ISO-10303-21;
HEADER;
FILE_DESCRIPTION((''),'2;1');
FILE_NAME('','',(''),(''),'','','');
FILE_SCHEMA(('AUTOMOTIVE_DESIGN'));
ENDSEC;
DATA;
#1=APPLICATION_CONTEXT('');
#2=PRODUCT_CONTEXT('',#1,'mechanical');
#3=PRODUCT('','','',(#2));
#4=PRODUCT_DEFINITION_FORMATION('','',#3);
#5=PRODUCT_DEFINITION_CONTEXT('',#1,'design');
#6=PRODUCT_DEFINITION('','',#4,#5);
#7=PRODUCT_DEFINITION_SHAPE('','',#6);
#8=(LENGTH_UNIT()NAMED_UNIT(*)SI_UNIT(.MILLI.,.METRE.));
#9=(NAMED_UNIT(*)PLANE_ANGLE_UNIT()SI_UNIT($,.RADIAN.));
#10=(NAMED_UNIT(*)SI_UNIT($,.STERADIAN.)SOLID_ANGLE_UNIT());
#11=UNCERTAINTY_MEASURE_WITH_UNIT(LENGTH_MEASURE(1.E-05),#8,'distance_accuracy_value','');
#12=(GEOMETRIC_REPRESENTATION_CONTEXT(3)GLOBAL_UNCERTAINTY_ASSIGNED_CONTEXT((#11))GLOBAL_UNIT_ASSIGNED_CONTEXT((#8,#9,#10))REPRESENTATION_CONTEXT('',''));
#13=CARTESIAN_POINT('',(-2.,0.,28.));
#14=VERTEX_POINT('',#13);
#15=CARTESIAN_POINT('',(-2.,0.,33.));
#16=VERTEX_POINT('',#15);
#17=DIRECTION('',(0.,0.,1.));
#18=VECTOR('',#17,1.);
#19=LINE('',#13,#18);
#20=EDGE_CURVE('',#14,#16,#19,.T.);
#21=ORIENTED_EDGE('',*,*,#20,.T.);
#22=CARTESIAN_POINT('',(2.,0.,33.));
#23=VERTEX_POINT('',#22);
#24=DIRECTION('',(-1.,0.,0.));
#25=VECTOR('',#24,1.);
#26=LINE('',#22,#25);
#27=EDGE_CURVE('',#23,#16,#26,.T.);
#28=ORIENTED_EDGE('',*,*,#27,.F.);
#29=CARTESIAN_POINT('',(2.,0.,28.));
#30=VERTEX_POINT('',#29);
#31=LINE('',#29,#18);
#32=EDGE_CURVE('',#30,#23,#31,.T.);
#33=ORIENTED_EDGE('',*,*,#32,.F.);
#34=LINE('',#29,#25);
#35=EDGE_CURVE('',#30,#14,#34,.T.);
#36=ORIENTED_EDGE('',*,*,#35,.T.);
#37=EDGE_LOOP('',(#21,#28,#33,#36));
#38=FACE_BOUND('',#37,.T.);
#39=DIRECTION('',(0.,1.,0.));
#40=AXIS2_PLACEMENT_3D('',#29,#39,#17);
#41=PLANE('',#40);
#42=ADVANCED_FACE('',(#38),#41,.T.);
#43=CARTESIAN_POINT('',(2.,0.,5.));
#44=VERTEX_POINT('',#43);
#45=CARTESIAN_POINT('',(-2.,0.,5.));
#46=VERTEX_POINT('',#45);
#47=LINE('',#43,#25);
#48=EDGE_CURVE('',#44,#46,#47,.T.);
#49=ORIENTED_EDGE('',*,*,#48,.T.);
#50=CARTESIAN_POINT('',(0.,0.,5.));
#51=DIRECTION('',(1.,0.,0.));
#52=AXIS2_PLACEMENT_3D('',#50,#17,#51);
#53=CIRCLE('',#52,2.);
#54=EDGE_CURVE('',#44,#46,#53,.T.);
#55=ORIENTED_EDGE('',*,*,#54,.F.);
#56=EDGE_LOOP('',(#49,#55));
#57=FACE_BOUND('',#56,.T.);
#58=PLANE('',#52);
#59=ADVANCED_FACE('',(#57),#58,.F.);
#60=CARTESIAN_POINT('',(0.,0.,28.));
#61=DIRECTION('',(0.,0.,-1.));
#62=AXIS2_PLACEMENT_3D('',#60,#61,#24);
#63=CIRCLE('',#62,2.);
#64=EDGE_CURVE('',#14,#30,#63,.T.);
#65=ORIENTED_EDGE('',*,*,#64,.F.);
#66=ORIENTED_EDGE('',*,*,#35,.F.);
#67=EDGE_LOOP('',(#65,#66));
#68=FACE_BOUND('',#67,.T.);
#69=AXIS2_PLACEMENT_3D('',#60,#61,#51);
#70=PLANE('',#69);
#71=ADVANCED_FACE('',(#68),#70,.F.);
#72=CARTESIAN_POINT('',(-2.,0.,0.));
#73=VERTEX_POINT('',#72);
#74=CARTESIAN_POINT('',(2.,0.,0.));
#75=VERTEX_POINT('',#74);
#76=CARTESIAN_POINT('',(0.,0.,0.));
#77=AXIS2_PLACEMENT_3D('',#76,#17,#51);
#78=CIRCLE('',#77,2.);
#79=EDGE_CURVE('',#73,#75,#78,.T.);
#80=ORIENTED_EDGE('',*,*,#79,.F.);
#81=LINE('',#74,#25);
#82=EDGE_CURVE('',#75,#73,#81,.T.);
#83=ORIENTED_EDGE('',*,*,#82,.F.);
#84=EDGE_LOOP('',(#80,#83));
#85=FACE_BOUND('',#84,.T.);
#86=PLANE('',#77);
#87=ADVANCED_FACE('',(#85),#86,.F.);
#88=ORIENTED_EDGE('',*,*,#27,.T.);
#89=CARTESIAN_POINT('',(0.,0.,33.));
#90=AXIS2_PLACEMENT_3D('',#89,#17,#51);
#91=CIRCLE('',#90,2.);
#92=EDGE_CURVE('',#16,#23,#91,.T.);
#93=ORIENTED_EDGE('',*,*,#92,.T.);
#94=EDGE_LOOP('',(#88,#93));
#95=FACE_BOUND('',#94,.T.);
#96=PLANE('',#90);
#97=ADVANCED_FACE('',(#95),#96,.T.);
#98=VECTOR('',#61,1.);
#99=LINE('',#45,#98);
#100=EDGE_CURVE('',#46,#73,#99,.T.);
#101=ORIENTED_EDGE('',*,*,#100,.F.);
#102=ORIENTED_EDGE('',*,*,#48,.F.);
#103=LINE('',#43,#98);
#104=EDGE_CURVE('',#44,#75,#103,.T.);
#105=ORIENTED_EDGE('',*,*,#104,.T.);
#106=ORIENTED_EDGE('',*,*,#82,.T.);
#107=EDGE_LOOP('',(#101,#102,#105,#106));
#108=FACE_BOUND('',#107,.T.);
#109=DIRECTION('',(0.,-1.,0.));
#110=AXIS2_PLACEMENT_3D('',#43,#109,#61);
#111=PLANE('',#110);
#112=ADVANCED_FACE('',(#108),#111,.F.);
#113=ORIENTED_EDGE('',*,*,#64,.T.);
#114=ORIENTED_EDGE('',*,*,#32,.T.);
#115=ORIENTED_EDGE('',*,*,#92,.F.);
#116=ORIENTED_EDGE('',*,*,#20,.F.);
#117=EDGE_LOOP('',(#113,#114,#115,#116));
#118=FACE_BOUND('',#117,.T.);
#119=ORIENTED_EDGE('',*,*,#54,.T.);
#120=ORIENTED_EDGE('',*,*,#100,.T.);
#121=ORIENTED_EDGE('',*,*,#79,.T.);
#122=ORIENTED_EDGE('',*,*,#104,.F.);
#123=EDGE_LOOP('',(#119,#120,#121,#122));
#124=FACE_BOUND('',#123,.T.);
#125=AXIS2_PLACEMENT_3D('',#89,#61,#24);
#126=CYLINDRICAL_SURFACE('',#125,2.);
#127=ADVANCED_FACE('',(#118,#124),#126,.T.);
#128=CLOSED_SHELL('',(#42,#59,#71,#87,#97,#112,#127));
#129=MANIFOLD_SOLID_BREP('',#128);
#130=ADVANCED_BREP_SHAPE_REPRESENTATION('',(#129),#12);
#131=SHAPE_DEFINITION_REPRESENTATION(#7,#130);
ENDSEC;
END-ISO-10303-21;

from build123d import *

# Parameters (mm, degrees)
ESQUISSE1_R             = 2
BOSS_EXTRU_1_DEPTH      = 33
ESQUISSE2_W             = 4
ESQUISSE2_H             = 3
ENL_V_MAT_EXTRU_1_DEPTH = 5


with BuildPart() as part:
    # Esquisse1 → Boss.-Extru.1 (new body)
    with BuildSketch(Plane.XY):
        Circle(ESQUISSE1_R)
    extrude(amount=BOSS_EXTRU_1_DEPTH)

    # Esquisse2 → Enlèv. mat.-Extru.1 (cut)
    with BuildSketch(Plane(origin=(0, 0, 0), x_dir=(-1, 0, 0), z_dir=(0, 0, -1))):
        with Locations((0, 1.5)):
            Rectangle(ESQUISSE2_W, ESQUISSE2_H)
    enl_v_mat_extru_1 = extrude(amount=-ENL_V_MAT_EXTRU_1_DEPTH, mode=Mode.SUBTRACT)

    # Symétrie1: Enlèv. mat.-Extru.1 across plane
    add(enl_v_mat_extru_1.mirror(Plane.XY.offset(16.5)), mode=Mode.SUBTRACT)


solid = part.part
